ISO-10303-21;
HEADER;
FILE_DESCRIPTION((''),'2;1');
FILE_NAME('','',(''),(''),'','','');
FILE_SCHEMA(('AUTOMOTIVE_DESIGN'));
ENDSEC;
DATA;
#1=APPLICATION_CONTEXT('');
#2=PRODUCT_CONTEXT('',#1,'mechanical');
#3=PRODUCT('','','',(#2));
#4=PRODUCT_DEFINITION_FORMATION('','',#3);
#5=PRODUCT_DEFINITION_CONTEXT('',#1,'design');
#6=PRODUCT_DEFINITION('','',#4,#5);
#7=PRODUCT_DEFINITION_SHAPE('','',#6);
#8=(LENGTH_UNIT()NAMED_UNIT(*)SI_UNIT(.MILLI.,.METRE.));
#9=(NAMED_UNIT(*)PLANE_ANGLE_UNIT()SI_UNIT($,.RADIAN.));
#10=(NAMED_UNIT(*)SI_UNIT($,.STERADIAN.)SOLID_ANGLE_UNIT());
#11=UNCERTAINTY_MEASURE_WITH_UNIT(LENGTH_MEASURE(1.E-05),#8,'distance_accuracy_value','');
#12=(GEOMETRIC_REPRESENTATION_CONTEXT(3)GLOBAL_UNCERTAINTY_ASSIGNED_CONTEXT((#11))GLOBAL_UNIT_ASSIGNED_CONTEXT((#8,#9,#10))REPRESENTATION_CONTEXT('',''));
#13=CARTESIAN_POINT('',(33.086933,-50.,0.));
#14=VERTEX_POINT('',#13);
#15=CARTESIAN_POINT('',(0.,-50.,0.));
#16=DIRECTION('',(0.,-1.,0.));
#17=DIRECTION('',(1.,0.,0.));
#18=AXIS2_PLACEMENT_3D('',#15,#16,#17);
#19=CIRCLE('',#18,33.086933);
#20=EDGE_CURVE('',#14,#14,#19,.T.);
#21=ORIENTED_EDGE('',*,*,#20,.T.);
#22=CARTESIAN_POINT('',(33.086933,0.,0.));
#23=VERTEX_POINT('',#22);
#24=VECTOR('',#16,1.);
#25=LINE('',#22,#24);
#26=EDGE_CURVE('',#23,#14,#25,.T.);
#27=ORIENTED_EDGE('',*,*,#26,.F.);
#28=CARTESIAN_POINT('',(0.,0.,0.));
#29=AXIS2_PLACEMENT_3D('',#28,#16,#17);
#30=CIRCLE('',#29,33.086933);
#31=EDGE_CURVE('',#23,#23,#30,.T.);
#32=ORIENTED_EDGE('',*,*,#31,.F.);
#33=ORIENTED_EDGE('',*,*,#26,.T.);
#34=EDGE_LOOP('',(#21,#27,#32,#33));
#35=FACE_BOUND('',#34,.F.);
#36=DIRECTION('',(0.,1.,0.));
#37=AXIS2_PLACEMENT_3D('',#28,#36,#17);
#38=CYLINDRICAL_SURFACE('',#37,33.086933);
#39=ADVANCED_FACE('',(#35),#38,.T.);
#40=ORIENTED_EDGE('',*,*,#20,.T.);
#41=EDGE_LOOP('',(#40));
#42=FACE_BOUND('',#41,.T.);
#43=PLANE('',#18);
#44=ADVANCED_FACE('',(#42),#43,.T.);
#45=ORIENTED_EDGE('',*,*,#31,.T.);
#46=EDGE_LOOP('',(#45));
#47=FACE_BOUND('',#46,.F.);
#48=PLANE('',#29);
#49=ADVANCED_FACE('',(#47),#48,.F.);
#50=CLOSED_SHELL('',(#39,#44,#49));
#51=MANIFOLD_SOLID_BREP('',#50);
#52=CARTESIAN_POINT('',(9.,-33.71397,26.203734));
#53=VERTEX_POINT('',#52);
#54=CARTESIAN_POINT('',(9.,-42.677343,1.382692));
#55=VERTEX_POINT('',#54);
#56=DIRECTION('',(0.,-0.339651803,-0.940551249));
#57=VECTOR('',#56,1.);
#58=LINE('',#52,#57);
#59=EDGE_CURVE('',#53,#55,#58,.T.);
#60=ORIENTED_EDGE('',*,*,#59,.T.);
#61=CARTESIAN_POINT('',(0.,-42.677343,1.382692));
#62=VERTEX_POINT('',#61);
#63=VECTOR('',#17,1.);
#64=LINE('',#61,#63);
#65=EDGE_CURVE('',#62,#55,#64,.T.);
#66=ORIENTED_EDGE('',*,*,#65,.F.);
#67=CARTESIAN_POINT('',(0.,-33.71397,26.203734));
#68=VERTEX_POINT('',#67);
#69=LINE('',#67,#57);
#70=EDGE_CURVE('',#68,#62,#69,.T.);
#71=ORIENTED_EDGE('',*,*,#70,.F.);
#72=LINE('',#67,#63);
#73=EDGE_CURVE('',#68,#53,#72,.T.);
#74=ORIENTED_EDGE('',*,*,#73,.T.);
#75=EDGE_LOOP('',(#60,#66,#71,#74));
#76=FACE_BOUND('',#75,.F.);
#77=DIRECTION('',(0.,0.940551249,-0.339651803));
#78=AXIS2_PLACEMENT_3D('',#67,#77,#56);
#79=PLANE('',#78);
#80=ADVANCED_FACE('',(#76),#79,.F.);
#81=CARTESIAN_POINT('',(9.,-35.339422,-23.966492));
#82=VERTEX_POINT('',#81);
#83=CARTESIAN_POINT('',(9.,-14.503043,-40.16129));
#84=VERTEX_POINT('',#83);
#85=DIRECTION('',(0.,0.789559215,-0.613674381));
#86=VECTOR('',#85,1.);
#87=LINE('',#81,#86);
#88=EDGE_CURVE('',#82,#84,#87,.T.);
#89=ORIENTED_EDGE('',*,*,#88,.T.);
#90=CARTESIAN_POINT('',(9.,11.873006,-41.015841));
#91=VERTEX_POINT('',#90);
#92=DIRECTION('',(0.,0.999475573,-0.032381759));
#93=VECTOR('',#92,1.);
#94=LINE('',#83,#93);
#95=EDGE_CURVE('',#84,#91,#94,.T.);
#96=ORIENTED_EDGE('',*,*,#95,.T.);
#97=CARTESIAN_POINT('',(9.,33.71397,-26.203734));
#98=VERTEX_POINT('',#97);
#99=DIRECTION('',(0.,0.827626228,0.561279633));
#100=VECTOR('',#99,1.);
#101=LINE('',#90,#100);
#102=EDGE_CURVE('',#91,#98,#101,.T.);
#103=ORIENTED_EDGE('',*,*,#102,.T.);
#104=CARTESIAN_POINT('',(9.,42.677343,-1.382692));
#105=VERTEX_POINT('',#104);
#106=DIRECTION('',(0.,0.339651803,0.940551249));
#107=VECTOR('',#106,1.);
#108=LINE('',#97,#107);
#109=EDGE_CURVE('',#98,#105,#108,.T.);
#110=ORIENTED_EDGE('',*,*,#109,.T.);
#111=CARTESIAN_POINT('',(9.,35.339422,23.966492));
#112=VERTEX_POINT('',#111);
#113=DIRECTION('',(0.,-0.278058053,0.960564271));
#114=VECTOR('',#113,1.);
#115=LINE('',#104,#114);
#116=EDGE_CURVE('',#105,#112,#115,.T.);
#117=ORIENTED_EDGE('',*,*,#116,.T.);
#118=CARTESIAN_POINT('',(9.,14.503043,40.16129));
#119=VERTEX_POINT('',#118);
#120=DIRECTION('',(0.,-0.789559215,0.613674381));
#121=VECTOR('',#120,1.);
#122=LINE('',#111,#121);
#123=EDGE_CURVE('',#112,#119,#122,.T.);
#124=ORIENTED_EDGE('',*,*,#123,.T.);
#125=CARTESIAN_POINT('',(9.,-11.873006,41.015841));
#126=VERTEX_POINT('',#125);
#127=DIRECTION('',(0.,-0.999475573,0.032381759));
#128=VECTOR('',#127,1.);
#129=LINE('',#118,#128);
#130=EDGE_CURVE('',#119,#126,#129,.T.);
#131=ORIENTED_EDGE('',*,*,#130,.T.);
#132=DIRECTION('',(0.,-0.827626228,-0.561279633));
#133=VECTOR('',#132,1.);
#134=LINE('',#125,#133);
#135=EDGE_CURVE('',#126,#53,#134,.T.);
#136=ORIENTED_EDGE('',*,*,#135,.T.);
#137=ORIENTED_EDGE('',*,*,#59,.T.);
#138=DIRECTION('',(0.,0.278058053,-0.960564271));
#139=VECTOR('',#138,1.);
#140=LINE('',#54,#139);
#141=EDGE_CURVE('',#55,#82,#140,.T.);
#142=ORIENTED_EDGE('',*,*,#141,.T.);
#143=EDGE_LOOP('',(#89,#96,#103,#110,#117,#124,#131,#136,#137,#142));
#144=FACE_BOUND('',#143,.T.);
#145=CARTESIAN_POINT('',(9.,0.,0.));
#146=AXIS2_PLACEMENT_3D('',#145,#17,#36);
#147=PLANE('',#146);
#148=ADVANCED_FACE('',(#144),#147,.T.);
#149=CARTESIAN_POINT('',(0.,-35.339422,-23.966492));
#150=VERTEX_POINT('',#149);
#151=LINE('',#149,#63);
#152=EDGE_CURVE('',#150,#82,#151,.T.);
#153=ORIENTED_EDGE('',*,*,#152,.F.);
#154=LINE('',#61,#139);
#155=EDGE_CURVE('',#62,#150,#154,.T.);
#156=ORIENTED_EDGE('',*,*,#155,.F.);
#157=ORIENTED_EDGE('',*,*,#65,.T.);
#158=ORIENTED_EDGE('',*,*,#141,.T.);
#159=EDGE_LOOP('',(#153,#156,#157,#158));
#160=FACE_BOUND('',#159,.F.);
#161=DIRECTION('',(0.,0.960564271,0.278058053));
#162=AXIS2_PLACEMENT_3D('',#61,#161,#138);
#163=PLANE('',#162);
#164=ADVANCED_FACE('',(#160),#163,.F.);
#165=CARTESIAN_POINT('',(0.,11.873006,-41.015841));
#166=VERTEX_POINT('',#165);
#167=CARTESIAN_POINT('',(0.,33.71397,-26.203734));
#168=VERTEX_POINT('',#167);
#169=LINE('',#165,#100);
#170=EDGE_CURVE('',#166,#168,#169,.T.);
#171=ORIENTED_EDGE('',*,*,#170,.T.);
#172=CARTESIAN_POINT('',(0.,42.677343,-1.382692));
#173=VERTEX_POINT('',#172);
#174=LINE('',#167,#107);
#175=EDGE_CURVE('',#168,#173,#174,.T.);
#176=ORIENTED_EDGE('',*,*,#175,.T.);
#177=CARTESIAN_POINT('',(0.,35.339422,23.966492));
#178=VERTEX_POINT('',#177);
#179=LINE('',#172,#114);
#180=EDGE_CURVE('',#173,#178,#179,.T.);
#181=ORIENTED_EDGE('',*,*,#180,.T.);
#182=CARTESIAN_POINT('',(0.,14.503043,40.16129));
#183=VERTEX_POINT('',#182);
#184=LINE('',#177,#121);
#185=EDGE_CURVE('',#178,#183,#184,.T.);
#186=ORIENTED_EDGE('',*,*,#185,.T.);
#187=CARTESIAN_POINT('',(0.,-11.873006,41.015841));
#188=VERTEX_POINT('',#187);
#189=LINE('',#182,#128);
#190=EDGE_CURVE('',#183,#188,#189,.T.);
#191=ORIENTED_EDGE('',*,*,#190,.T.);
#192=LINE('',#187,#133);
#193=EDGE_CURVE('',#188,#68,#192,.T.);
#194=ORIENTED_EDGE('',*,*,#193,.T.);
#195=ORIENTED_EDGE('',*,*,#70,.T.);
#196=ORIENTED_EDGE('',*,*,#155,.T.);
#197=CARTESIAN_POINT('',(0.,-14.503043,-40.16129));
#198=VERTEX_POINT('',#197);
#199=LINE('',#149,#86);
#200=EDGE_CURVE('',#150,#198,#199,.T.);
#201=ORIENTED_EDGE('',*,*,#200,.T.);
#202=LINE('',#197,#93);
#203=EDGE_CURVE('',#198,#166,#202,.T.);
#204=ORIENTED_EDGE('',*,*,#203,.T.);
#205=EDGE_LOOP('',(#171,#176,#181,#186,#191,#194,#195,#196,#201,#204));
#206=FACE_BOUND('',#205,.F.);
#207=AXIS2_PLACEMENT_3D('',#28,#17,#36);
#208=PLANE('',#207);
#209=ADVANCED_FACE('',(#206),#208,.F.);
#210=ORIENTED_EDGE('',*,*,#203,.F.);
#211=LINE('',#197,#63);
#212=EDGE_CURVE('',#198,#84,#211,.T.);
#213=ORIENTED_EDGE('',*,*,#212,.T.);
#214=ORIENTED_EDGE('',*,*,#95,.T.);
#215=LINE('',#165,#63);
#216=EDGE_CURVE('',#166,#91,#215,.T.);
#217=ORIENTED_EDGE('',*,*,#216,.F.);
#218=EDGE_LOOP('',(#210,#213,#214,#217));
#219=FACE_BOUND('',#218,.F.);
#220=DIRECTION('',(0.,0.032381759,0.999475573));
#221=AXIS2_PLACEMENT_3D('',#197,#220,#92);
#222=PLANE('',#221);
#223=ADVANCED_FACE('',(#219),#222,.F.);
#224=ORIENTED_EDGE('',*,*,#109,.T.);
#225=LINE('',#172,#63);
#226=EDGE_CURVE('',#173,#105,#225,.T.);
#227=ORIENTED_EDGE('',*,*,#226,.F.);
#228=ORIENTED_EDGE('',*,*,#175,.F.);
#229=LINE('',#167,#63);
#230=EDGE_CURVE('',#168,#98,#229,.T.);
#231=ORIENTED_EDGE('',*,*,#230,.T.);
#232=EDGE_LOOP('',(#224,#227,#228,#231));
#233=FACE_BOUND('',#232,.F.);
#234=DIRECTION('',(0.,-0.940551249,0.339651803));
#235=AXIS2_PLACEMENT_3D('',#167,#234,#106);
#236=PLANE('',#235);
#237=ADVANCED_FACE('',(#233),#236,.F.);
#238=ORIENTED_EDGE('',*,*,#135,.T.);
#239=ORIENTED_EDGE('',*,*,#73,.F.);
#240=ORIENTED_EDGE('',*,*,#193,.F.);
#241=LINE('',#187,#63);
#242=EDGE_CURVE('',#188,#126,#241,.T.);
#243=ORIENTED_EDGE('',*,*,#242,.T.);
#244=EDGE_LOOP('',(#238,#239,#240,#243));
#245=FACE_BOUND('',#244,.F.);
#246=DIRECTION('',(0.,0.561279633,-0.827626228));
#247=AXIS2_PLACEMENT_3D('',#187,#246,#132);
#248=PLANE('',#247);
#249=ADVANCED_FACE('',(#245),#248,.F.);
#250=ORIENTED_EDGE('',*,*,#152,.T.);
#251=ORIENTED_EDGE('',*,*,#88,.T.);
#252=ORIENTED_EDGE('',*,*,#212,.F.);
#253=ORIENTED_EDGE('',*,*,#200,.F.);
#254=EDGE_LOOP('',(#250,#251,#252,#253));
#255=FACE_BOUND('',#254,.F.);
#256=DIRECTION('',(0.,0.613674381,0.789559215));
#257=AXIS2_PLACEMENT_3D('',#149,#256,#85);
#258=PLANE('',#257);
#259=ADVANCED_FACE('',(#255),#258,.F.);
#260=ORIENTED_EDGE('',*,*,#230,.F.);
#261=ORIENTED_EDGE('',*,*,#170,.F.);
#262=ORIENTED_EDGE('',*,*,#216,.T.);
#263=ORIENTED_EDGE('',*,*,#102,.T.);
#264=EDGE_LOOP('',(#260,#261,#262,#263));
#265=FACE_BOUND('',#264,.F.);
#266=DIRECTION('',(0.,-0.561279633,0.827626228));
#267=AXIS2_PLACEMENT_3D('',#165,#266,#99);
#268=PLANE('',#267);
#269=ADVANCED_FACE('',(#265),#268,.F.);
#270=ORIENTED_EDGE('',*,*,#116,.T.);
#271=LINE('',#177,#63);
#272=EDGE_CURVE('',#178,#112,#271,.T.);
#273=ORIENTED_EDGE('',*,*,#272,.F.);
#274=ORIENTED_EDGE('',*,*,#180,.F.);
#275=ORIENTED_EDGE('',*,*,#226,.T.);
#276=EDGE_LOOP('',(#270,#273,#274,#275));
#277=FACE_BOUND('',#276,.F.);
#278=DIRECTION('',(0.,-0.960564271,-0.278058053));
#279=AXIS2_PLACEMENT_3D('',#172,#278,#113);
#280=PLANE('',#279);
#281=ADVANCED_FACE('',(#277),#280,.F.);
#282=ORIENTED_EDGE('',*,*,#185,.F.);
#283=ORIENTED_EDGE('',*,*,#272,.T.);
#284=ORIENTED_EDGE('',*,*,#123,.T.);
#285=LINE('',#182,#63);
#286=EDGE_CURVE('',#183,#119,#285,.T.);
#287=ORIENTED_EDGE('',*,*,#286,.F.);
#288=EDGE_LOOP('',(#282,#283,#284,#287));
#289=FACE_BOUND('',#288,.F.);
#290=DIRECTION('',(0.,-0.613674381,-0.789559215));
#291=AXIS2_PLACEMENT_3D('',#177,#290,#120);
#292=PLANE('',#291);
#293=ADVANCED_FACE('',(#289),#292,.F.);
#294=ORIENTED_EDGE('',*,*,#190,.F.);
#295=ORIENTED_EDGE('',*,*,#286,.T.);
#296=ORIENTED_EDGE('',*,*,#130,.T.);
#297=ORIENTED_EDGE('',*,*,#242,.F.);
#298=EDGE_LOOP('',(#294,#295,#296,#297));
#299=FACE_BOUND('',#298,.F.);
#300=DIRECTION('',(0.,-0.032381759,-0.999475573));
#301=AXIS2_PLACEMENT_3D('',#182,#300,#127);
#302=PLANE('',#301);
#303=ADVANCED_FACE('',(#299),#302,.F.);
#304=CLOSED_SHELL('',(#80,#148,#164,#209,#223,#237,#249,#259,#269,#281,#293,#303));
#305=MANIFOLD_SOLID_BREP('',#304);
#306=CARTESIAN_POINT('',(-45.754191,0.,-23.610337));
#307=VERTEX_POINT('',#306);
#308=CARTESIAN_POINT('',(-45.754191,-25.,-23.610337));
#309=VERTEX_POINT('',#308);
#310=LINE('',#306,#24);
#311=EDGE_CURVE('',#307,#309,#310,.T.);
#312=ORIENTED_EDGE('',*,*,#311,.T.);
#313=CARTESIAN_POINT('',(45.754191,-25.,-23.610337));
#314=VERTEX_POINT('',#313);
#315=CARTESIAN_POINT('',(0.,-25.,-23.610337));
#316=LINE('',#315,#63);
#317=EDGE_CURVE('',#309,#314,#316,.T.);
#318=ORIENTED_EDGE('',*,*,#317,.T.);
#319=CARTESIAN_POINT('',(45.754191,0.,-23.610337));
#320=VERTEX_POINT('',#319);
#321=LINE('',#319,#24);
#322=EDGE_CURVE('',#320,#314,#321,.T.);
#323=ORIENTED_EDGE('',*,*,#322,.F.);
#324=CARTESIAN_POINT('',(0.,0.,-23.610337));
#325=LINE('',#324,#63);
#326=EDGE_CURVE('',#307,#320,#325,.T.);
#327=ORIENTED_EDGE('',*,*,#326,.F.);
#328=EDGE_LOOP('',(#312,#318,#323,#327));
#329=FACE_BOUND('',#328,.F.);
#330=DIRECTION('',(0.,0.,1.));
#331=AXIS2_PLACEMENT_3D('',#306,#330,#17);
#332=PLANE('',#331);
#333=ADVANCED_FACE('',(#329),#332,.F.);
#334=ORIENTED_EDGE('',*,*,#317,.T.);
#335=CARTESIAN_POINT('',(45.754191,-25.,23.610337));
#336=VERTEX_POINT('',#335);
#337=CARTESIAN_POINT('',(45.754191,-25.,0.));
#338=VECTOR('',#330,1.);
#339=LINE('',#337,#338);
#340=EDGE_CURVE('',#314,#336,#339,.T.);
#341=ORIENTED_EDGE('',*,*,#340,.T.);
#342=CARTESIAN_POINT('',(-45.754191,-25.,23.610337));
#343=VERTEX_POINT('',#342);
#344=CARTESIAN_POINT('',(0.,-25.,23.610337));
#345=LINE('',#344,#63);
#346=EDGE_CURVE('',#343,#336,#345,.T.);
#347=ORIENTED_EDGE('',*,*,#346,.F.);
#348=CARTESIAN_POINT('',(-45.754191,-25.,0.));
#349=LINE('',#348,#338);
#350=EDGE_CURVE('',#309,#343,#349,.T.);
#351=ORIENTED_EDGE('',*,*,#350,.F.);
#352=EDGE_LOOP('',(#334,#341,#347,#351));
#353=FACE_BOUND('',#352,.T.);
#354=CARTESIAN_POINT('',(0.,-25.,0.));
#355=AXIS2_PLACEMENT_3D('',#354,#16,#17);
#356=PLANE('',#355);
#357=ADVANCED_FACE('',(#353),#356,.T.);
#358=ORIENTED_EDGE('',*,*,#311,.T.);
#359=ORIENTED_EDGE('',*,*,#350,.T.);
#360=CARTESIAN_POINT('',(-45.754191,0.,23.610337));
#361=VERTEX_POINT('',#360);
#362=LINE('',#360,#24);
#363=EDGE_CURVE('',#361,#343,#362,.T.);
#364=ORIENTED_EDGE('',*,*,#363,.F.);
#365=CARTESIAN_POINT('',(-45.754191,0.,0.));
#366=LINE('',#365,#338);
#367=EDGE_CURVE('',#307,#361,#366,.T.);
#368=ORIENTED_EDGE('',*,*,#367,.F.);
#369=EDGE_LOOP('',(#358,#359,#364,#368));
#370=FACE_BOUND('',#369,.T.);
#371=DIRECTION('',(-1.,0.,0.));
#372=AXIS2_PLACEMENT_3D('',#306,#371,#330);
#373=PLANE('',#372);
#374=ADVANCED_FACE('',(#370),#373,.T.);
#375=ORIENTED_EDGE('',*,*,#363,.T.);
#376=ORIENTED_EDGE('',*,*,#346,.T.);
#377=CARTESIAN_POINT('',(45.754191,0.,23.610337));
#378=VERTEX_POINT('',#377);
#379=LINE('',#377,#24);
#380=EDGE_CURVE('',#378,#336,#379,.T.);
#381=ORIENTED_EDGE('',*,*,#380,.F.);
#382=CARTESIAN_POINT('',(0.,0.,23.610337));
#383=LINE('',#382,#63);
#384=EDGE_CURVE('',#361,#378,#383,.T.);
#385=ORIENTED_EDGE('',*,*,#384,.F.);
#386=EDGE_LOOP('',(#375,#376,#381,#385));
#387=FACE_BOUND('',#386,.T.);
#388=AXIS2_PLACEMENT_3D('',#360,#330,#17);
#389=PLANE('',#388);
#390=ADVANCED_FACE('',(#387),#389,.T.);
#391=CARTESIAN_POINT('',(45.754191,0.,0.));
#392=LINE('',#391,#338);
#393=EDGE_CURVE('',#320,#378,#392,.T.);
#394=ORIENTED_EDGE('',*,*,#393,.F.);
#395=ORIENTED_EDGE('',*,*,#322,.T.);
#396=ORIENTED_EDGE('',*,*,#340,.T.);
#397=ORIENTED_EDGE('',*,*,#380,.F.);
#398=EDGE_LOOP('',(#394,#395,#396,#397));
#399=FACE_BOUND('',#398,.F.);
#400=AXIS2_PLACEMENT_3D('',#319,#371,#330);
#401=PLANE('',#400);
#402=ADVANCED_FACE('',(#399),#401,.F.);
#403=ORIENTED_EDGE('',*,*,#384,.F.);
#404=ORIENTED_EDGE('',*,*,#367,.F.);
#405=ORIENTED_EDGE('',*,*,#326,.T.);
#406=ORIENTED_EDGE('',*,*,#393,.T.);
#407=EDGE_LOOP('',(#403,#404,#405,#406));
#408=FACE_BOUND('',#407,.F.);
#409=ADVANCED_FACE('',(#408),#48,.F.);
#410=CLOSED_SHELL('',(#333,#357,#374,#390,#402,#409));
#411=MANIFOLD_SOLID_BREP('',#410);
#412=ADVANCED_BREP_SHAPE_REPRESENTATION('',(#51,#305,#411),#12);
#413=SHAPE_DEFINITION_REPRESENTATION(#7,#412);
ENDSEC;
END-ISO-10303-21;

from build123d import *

# Parameters (mm, degrees)
F0_W     = 91.508382
F0_H     = 47.220674
F1_DEPTH = 25
F2_R     = 33.086933
F3_DEPTH = 50
F5_DEPTH = 9


with BuildPart() as f1:
    # F0 (on Front) → F1 (new body)
    with BuildSketch(Plane.XZ):
        Rectangle(F0_W, F0_H)
    extrude(amount=F1_DEPTH)


with BuildPart() as f3:
    # F2 (on Front) → F3 (new body)
    with BuildSketch(Plane.XZ):
        Circle(F2_R)
    extrude(amount=F3_DEPTH)


with BuildPart() as f5:
    # F4 (on Right) → F5 (new body)
    with BuildSketch(Plane.YZ):
        Polygon((42.677343, -1.382692), (35.339422, 23.966492), (14.503043, 40.16129), (-11.873006, 41.015841), (-33.71397, 26.203734), (-42.677343, 1.382692), (-35.339422, -23.966492), (-14.503043, -40.16129), (11.873006, -41.015841), (33.71397, -26.203734), align=None)
    extrude(amount=F5_DEPTH)


solid = Compound([f1.part, f3.part, f5.part])
